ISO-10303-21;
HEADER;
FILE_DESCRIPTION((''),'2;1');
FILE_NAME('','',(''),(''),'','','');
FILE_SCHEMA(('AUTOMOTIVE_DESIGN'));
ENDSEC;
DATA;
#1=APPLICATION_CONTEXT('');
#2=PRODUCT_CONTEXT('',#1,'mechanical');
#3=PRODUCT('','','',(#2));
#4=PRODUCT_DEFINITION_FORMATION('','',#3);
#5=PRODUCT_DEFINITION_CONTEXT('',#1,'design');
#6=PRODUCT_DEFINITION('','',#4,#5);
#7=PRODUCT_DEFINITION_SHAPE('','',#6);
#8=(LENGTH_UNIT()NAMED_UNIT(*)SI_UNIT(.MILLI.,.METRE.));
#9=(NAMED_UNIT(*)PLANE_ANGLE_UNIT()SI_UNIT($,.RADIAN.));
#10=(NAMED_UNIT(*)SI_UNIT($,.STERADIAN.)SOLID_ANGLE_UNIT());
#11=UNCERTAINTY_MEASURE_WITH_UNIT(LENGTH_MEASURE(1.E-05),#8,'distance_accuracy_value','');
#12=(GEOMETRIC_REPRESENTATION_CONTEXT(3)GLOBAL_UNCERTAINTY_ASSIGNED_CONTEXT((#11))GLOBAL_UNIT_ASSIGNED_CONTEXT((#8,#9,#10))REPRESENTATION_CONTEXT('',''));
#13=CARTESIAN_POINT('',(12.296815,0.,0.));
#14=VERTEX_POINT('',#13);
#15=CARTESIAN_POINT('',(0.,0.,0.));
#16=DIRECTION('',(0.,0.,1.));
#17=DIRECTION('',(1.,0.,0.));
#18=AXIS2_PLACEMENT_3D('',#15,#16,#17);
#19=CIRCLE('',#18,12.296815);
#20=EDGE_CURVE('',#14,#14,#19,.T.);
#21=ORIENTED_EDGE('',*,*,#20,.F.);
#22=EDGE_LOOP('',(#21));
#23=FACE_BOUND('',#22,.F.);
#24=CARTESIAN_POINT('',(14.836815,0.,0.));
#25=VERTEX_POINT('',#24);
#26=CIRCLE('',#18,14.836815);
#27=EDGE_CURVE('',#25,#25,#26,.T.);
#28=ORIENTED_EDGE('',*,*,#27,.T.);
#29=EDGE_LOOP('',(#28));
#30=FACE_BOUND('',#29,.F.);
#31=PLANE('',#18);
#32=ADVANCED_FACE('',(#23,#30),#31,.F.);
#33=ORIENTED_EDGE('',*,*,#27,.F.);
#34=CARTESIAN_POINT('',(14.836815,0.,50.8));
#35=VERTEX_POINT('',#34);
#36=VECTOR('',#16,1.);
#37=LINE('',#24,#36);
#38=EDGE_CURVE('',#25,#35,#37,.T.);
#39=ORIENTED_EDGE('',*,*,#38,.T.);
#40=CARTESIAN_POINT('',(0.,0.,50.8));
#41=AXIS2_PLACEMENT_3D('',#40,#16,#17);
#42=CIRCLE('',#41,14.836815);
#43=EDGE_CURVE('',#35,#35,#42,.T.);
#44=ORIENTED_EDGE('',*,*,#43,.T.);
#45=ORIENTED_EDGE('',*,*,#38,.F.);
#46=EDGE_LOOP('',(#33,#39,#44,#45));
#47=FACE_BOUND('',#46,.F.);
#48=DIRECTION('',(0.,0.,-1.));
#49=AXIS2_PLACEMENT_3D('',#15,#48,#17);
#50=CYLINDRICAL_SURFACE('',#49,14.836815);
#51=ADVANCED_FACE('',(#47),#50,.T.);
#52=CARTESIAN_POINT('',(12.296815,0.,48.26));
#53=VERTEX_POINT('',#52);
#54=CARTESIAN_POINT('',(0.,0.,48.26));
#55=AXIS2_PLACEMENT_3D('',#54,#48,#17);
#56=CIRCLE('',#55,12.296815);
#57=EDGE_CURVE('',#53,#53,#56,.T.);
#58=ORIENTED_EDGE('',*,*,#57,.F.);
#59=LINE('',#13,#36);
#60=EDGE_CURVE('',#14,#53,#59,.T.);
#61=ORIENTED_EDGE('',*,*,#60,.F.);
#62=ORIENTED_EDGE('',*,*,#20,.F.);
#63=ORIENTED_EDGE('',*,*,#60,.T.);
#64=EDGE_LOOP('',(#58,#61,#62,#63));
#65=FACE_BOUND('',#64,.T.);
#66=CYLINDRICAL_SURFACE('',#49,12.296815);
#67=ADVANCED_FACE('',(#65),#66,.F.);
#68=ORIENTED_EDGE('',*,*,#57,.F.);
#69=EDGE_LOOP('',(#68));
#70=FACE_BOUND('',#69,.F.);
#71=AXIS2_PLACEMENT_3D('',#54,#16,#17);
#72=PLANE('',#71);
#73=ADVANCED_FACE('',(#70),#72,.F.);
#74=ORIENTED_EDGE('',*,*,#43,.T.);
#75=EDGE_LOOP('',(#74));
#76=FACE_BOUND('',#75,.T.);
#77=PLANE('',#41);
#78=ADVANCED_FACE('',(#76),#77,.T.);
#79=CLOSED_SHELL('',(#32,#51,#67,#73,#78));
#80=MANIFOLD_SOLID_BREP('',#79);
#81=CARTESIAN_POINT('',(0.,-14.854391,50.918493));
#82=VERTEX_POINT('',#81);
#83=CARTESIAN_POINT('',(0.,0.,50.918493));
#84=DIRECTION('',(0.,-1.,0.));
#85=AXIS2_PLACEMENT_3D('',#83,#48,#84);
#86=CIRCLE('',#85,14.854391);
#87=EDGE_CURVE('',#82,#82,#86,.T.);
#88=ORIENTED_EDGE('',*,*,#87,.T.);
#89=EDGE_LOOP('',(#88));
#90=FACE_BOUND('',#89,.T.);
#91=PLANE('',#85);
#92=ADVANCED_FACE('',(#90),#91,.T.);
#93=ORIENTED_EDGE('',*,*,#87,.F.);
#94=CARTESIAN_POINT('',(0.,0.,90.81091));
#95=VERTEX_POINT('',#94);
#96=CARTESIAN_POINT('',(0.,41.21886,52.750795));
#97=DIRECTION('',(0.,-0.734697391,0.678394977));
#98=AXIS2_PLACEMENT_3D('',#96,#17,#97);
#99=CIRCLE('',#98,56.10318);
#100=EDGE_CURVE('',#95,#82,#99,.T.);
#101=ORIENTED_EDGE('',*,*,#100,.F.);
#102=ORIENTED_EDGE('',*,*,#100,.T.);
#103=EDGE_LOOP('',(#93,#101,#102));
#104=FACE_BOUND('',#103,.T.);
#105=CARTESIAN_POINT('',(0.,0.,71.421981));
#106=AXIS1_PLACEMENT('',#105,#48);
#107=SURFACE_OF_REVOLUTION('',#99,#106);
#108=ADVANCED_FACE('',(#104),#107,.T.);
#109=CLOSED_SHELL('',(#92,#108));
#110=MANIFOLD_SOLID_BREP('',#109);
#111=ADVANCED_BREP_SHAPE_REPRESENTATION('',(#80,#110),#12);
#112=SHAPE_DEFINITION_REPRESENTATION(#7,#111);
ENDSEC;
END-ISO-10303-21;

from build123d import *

# Parameters (mm, degrees)
F0_R     = 14.836815
F1_DEPTH = 50.8
F4_T     = -2.54


with BuildPart() as f1:
    # F0 (on Top) → F1 (new body)
    with BuildSketch(Plane.XY):
        Circle(F0_R)
    extrude(amount=F1_DEPTH)

    # F4
    f4_openings = [f1.faces().sort_by_distance(p)[0] for p in [
        (0, 0, 0),
    ]]
    offset(amount=F4_T, openings=f4_openings)


with BuildPart() as f3:
    # F2 (on Right) → F3 (revolve)
    with BuildSketch(Plane.YZ):
        with BuildLine():
            Line((0, 52.033052), (0, 90.81091))
            ThreePointArc((0, 90.81091), (-11.357655, 72.328253), (-14.854391, 50.918493))
            Line((-14.854391, 50.918493), (0, 50.918493))
            Line((0, 50.918493), (0, 52.033052))
        make_face()
    revolve(axis=Axis((0, 0, 71.421981), (0, 0, -1)))


solid = Compound([f1.part, f3.part])
